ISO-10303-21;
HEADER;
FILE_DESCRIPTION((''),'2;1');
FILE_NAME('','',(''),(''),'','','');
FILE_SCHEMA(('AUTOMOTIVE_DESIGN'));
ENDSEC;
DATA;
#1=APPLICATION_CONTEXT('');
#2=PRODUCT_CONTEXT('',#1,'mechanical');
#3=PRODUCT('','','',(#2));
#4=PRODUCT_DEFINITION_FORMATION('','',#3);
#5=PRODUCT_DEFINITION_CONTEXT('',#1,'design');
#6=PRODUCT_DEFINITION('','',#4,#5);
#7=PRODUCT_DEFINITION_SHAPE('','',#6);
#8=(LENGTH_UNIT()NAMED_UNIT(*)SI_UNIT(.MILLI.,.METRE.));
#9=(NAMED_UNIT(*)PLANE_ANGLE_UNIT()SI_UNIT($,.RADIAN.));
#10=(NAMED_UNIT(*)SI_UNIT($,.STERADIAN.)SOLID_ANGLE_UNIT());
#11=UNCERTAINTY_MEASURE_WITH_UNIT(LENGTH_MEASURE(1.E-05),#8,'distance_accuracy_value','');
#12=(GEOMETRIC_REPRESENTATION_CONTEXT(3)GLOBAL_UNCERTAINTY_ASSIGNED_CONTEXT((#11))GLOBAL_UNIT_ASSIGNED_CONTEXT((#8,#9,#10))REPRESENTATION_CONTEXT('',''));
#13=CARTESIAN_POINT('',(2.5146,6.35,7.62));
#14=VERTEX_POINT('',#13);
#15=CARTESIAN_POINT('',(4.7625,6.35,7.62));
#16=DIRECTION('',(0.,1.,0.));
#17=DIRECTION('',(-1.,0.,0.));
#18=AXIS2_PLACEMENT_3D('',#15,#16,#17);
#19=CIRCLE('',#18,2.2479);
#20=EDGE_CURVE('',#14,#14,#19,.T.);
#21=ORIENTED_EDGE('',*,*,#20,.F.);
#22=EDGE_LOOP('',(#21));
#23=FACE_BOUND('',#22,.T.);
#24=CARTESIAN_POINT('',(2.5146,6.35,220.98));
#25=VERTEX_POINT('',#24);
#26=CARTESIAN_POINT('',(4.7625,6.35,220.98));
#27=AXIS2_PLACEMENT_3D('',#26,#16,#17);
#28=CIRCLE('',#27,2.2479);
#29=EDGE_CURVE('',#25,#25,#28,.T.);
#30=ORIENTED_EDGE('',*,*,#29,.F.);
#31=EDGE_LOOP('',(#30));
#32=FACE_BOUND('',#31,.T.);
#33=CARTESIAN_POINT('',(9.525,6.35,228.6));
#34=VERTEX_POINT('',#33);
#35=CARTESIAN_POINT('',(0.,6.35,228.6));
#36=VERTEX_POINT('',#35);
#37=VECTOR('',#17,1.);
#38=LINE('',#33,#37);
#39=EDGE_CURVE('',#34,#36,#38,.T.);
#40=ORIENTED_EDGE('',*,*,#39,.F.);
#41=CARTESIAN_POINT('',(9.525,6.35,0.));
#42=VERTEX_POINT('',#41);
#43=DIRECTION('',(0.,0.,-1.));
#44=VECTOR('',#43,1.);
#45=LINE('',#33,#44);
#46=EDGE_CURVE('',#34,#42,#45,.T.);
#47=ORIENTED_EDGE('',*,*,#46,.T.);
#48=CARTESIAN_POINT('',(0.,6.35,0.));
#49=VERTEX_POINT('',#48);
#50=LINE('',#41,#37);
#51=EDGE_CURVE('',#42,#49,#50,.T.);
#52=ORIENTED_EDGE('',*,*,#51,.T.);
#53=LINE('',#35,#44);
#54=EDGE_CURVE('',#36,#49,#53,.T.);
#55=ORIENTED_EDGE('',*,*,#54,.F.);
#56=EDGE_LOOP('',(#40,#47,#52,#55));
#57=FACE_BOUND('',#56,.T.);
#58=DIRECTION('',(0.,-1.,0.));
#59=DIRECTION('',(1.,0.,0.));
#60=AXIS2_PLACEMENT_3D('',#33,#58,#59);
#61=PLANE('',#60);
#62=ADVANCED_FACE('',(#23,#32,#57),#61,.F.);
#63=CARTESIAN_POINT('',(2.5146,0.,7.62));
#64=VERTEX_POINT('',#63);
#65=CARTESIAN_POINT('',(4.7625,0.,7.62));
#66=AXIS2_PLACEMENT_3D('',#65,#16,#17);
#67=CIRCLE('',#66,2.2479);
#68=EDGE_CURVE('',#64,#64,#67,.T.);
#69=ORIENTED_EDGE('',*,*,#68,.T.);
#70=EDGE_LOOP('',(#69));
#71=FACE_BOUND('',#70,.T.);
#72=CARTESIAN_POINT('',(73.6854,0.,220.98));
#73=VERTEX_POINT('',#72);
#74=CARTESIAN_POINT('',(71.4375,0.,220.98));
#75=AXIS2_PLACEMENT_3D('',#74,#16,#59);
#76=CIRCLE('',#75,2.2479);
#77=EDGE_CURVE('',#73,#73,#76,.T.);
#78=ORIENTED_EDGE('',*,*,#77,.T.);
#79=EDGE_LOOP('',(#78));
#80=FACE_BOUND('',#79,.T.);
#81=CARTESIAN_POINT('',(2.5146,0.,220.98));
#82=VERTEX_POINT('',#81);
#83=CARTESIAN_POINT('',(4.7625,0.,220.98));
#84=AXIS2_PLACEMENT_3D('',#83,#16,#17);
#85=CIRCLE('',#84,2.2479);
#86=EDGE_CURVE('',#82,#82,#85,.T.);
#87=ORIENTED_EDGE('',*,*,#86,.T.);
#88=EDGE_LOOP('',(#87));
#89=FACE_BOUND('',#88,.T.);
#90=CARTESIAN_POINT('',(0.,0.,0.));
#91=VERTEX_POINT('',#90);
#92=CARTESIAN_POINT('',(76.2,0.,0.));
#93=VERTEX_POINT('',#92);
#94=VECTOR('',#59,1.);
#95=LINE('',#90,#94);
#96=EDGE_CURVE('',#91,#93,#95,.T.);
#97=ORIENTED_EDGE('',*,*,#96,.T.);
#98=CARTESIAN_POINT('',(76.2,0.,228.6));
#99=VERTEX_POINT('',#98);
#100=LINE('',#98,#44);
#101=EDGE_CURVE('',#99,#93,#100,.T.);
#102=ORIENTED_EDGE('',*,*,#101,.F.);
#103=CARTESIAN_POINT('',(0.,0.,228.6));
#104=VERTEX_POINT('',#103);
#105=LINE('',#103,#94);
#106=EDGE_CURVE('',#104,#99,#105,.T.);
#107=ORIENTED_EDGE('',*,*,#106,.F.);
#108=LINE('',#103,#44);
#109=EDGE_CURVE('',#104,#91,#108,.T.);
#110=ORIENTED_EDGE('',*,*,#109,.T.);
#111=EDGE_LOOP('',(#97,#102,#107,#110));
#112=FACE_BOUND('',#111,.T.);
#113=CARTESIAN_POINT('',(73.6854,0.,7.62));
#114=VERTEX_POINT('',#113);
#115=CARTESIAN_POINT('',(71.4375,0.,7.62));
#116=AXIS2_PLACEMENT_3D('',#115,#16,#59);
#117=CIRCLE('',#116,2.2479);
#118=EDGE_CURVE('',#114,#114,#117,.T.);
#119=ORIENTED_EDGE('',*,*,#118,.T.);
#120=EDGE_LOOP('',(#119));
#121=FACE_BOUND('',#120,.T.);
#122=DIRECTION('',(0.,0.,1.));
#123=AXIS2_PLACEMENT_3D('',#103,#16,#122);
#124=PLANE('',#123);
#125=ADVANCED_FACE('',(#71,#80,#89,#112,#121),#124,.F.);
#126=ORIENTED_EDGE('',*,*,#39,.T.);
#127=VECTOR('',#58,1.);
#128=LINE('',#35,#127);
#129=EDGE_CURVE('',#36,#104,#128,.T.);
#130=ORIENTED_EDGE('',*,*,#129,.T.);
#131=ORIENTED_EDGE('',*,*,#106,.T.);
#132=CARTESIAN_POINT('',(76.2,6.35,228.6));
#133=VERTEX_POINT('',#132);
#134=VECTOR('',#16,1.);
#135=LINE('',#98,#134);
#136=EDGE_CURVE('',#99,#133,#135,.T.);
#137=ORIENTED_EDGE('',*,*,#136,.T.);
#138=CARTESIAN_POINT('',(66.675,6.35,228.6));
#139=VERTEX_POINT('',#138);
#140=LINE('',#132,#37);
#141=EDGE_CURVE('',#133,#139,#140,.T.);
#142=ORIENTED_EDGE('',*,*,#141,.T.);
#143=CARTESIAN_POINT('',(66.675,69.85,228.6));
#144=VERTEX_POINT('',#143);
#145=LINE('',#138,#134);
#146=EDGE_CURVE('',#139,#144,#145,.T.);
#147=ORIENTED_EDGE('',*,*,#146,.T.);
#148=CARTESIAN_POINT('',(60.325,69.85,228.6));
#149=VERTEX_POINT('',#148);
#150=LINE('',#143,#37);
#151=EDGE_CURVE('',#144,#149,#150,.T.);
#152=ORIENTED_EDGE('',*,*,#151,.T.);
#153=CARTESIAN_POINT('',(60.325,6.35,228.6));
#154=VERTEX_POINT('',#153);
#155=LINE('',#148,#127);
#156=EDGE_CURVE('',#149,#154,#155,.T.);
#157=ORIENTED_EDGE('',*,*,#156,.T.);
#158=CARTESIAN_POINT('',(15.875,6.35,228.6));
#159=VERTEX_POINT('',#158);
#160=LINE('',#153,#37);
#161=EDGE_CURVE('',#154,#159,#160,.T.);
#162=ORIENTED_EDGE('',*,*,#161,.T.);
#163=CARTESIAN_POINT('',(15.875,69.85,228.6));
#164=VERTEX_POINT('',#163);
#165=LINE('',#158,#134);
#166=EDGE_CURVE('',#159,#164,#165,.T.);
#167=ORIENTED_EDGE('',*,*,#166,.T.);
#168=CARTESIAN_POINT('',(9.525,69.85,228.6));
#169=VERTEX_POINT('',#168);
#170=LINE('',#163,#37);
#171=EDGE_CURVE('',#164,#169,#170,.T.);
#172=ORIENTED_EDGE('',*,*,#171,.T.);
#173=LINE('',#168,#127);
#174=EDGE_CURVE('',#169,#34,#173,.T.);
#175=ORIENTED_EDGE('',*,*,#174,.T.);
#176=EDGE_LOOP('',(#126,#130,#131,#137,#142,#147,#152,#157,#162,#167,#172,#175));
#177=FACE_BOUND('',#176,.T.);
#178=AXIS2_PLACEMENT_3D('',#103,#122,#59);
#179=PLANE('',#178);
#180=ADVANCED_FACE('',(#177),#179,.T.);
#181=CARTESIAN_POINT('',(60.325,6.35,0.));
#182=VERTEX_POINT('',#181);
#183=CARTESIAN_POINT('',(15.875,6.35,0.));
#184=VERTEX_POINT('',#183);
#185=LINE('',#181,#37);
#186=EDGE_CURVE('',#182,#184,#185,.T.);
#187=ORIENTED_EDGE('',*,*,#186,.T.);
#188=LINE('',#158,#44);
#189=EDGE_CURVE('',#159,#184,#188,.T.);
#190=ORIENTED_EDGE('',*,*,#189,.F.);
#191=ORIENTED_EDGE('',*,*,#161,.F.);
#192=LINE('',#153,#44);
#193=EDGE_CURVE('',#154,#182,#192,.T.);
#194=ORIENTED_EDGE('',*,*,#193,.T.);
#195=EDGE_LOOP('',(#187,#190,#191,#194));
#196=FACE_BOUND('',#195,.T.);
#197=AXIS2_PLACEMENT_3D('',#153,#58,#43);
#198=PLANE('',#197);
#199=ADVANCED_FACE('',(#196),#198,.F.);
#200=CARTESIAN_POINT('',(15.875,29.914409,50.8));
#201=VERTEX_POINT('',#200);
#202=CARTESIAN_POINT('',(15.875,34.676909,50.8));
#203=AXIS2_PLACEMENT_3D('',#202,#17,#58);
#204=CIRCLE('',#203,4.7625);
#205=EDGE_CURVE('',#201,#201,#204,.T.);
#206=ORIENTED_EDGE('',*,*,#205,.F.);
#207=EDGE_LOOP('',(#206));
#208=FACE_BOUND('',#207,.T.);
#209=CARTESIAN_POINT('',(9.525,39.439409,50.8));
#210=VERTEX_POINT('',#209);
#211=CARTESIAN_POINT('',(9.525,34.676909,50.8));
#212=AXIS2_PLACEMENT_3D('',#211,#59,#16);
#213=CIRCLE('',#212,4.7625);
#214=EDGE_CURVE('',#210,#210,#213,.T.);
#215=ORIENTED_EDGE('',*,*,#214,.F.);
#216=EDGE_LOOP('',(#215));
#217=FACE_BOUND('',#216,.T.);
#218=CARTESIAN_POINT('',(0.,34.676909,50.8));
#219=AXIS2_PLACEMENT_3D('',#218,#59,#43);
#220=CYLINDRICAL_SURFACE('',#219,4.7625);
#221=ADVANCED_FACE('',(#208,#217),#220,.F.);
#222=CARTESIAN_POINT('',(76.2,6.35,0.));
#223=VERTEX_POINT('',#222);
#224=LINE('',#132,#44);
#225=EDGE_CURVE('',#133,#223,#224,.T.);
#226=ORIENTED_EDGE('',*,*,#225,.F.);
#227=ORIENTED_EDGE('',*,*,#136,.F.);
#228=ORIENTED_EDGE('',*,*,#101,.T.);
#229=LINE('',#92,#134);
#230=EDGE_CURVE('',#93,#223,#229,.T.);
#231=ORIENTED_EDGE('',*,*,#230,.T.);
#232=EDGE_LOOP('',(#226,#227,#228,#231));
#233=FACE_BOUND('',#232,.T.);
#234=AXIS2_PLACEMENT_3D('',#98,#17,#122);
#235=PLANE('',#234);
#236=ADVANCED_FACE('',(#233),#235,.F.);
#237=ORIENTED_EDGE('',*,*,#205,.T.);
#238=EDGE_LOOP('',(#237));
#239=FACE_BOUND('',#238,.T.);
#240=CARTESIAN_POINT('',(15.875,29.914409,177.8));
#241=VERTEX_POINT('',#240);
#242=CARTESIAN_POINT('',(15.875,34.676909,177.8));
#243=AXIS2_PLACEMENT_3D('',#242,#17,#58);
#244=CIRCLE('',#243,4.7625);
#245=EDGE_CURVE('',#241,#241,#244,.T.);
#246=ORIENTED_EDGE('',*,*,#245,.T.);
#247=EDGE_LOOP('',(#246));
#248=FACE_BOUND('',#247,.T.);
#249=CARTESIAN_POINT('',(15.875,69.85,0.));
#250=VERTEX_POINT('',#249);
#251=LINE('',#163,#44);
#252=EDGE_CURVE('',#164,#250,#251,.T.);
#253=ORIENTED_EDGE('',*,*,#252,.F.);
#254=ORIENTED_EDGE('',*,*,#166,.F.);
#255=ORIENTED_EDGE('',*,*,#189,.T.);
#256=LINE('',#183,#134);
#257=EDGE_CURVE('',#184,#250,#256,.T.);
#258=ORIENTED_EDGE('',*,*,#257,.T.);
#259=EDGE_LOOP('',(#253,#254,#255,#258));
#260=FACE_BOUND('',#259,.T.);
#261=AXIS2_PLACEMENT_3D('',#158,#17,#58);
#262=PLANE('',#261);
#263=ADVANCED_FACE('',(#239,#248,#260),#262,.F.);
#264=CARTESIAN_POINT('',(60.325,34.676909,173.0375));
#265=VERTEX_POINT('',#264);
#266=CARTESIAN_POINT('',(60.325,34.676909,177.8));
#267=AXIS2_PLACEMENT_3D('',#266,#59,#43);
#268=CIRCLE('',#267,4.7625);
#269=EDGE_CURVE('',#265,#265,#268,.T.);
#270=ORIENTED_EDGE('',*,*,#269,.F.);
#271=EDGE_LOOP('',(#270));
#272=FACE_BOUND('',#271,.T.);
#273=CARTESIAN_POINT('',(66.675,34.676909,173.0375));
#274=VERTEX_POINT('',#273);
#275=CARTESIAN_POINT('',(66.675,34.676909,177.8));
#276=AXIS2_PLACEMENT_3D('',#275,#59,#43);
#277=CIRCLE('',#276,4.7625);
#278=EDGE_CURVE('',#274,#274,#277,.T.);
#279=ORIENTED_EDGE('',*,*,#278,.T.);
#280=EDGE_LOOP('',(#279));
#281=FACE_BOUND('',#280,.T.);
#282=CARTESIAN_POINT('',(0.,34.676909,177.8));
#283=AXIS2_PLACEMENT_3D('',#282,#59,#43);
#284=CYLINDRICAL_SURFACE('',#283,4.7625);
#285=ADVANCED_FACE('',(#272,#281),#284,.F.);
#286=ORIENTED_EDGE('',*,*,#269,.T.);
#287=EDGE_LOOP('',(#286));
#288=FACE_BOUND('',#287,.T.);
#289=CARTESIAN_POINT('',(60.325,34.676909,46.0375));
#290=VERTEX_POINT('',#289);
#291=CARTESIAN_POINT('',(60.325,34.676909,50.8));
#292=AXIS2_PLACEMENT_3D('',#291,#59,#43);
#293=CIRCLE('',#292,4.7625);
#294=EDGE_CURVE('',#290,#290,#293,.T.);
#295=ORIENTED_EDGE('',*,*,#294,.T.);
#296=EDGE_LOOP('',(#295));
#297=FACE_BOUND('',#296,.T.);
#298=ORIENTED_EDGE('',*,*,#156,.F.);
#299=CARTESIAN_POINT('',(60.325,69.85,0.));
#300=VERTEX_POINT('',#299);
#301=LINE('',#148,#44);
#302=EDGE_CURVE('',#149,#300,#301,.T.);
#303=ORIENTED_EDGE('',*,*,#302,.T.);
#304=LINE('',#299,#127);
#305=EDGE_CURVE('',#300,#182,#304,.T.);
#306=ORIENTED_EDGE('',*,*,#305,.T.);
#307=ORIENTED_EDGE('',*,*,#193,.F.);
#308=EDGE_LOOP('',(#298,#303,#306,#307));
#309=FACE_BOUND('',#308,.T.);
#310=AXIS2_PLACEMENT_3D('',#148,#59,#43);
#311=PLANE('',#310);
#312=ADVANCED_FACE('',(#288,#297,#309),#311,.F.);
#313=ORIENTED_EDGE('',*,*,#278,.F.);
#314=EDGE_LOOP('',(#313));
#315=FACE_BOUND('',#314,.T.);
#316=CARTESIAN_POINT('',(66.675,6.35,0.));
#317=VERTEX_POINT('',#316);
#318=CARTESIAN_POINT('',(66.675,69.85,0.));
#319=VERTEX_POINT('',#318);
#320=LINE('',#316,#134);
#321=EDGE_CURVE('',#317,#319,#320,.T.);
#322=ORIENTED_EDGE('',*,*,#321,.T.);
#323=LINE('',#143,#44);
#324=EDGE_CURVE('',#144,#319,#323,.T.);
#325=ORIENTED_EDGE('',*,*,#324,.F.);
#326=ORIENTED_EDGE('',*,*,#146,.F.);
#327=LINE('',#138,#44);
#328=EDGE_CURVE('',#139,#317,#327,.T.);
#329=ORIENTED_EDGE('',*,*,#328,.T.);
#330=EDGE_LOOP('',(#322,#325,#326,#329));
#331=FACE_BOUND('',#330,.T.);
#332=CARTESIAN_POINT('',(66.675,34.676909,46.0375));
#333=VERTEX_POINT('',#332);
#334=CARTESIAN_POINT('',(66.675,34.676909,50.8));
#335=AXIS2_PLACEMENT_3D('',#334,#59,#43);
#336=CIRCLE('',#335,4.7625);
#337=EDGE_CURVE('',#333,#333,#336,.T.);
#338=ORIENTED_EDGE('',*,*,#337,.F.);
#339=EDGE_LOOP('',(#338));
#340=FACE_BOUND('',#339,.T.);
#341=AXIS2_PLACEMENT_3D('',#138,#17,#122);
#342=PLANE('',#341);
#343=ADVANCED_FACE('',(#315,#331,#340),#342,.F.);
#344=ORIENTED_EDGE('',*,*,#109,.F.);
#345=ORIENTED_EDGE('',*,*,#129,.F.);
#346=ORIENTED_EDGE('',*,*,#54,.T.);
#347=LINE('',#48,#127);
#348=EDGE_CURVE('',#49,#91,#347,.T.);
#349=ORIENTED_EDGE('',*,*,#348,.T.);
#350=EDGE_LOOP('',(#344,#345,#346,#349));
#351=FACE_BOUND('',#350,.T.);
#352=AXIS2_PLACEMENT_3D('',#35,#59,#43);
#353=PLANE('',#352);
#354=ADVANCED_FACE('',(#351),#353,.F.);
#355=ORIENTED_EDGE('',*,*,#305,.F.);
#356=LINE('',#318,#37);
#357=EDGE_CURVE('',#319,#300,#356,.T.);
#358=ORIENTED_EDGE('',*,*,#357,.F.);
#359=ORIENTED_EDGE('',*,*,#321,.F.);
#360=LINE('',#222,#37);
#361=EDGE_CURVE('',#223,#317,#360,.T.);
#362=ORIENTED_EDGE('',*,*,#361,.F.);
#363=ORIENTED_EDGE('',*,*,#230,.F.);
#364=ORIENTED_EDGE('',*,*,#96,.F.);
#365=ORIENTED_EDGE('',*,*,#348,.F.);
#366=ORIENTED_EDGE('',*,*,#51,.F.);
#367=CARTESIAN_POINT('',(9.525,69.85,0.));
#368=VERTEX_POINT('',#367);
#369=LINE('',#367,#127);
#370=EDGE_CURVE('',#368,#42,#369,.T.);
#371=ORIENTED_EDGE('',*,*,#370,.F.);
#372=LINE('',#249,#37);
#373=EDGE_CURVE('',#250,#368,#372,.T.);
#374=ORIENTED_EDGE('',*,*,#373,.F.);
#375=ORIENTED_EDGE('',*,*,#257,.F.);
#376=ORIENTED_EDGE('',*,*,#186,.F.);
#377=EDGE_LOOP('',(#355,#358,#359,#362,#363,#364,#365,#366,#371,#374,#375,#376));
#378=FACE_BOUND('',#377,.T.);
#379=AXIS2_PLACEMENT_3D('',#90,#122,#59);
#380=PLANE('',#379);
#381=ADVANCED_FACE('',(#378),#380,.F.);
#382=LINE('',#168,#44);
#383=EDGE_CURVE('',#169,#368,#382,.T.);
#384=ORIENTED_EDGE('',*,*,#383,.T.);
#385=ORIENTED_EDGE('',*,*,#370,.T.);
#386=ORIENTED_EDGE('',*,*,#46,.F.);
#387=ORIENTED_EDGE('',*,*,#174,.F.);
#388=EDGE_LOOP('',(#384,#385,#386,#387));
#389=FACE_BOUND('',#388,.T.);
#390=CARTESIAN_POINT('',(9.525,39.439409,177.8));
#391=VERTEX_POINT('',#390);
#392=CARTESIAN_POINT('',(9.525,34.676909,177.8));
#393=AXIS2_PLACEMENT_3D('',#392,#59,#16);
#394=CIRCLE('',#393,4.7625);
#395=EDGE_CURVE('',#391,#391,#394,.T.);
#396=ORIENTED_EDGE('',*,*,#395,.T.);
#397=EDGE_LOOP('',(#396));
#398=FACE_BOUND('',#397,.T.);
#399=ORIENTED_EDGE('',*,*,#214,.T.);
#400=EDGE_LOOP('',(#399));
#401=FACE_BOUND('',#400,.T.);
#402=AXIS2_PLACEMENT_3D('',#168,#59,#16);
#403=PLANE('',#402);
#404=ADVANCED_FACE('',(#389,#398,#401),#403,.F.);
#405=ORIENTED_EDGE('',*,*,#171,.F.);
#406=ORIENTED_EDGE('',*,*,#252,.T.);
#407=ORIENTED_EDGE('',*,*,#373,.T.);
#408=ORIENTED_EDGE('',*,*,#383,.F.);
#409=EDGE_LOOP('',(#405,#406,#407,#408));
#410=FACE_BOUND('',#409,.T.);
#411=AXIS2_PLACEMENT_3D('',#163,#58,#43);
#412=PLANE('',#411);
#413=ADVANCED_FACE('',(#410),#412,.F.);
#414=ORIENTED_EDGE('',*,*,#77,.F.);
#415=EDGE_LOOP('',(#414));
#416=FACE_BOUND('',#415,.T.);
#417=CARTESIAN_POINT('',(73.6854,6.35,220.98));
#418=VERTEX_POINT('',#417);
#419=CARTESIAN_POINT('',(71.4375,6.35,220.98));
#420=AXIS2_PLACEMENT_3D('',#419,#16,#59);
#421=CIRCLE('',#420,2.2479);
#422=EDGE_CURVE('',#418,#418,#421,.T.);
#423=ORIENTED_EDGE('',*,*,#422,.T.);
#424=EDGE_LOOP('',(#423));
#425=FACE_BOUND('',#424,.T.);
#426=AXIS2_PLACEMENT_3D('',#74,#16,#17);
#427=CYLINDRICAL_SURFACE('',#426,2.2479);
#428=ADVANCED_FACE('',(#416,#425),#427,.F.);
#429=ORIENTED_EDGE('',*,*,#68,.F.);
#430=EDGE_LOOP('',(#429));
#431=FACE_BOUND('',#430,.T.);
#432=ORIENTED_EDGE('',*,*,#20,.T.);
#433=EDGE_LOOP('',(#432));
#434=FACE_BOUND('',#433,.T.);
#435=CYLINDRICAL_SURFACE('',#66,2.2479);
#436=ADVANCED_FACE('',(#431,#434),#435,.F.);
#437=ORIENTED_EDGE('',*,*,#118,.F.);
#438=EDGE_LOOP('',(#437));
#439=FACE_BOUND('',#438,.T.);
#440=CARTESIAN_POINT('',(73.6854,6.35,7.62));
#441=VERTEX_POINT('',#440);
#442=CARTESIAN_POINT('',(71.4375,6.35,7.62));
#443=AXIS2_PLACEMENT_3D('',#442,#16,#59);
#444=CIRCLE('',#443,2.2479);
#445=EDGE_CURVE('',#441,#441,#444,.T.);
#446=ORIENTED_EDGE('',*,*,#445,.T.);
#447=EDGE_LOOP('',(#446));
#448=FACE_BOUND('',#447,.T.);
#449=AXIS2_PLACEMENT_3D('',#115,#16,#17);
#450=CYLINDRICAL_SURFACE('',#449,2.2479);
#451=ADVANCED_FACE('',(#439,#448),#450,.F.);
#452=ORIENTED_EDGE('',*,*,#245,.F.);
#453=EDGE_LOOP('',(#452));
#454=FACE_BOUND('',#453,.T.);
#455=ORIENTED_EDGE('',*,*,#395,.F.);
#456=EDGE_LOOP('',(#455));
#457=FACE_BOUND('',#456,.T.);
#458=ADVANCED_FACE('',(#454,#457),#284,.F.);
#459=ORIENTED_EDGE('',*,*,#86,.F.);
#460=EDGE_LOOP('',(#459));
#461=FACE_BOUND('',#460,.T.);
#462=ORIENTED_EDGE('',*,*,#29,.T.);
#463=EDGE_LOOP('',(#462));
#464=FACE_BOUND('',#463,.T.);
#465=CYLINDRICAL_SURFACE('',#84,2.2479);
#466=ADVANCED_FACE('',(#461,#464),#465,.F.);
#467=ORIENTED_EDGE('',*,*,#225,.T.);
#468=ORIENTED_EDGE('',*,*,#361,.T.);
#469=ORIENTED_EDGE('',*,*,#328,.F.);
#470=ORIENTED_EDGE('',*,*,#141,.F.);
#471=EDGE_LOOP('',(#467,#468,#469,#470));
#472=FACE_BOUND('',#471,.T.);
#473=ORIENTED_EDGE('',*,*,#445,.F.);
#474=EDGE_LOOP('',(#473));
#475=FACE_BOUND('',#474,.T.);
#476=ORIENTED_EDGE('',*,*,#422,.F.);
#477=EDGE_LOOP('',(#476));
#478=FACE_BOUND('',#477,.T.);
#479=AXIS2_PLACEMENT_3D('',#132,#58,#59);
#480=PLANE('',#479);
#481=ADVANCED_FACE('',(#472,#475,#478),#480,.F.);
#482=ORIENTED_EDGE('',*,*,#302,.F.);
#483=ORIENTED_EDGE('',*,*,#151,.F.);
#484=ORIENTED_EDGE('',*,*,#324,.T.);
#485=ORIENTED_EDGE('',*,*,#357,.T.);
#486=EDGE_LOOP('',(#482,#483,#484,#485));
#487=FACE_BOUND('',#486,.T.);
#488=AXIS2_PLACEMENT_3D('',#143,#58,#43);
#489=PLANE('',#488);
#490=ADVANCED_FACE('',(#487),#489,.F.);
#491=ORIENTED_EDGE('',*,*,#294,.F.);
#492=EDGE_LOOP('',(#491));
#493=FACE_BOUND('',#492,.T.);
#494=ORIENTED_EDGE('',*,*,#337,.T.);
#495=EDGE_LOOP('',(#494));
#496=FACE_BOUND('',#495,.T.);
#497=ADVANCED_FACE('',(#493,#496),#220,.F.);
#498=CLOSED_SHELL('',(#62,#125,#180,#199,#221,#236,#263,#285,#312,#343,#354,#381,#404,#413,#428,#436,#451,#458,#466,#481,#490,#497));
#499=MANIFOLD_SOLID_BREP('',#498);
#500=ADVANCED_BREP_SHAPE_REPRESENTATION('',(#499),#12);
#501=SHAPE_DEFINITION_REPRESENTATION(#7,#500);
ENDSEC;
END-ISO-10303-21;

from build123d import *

# Parameters (mm, degrees)
BOSS_EXTRUDE1_DEPTH = 228.6
SKETCH4_R           = 2.2479
CUT_EXTRUDE1_DEPTH  = 250.191994253
SKETCH5_R           = 4.7625
CUT_EXTRUDE2_DEPTH  = 249.158292477


with BuildPart() as part:
    # Sketch1 → Boss-Extrude1 (new body)
    with BuildSketch(Plane.XY):
        Polygon((0, 0), (76.2, 0), (76.2, 6.35), (66.675, 6.35), (66.675, 69.85), (60.325, 69.85), (60.325, 6.35), (15.875, 6.35), (15.875, 69.85), (9.525, 69.85), (9.525, 6.35), (0, 6.35), align=None)
    extrude(amount=BOSS_EXTRUDE1_DEPTH)

    # Sketch4 → Cut-Extrude1 (cut, through all)
    with BuildSketch(Plane(origin=(0, 6.35, 0), x_dir=(1, 0, 0), z_dir=(0, 1, 0))):
        with Locations(Location((4.7625, -7.62, 0), (0, 0, 180))):
            Circle(SKETCH4_R)
        with Locations(Location((4.7625, -220.98, 0), (0, 0, 180))):
            Circle(SKETCH4_R)
        with Locations((71.4375, -220.98)):
            Circle(SKETCH4_R)
        with Locations((71.4375, -7.62)):
            Circle(SKETCH4_R)
    extrude(amount=-CUT_EXTRUDE1_DEPTH, mode=Mode.SUBTRACT)

    # Sketch5 → Cut-Extrude2 (cut, through all)
    with BuildSketch(Plane(origin=(66.675, 0, 0), x_dir=(0, 0, -1), z_dir=(1, 0, 0))):
        with Locations(Location((-177.8, 34.676908919, 0), (0, 0, 90))):
            Circle(SKETCH5_R)
        with Locations(Location((-50.8, 34.676908919, 0), (0, 0, 90))):
            Circle(SKETCH5_R)
    extrude(amount=-CUT_EXTRUDE2_DEPTH, mode=Mode.SUBTRACT)


solid = part.part
